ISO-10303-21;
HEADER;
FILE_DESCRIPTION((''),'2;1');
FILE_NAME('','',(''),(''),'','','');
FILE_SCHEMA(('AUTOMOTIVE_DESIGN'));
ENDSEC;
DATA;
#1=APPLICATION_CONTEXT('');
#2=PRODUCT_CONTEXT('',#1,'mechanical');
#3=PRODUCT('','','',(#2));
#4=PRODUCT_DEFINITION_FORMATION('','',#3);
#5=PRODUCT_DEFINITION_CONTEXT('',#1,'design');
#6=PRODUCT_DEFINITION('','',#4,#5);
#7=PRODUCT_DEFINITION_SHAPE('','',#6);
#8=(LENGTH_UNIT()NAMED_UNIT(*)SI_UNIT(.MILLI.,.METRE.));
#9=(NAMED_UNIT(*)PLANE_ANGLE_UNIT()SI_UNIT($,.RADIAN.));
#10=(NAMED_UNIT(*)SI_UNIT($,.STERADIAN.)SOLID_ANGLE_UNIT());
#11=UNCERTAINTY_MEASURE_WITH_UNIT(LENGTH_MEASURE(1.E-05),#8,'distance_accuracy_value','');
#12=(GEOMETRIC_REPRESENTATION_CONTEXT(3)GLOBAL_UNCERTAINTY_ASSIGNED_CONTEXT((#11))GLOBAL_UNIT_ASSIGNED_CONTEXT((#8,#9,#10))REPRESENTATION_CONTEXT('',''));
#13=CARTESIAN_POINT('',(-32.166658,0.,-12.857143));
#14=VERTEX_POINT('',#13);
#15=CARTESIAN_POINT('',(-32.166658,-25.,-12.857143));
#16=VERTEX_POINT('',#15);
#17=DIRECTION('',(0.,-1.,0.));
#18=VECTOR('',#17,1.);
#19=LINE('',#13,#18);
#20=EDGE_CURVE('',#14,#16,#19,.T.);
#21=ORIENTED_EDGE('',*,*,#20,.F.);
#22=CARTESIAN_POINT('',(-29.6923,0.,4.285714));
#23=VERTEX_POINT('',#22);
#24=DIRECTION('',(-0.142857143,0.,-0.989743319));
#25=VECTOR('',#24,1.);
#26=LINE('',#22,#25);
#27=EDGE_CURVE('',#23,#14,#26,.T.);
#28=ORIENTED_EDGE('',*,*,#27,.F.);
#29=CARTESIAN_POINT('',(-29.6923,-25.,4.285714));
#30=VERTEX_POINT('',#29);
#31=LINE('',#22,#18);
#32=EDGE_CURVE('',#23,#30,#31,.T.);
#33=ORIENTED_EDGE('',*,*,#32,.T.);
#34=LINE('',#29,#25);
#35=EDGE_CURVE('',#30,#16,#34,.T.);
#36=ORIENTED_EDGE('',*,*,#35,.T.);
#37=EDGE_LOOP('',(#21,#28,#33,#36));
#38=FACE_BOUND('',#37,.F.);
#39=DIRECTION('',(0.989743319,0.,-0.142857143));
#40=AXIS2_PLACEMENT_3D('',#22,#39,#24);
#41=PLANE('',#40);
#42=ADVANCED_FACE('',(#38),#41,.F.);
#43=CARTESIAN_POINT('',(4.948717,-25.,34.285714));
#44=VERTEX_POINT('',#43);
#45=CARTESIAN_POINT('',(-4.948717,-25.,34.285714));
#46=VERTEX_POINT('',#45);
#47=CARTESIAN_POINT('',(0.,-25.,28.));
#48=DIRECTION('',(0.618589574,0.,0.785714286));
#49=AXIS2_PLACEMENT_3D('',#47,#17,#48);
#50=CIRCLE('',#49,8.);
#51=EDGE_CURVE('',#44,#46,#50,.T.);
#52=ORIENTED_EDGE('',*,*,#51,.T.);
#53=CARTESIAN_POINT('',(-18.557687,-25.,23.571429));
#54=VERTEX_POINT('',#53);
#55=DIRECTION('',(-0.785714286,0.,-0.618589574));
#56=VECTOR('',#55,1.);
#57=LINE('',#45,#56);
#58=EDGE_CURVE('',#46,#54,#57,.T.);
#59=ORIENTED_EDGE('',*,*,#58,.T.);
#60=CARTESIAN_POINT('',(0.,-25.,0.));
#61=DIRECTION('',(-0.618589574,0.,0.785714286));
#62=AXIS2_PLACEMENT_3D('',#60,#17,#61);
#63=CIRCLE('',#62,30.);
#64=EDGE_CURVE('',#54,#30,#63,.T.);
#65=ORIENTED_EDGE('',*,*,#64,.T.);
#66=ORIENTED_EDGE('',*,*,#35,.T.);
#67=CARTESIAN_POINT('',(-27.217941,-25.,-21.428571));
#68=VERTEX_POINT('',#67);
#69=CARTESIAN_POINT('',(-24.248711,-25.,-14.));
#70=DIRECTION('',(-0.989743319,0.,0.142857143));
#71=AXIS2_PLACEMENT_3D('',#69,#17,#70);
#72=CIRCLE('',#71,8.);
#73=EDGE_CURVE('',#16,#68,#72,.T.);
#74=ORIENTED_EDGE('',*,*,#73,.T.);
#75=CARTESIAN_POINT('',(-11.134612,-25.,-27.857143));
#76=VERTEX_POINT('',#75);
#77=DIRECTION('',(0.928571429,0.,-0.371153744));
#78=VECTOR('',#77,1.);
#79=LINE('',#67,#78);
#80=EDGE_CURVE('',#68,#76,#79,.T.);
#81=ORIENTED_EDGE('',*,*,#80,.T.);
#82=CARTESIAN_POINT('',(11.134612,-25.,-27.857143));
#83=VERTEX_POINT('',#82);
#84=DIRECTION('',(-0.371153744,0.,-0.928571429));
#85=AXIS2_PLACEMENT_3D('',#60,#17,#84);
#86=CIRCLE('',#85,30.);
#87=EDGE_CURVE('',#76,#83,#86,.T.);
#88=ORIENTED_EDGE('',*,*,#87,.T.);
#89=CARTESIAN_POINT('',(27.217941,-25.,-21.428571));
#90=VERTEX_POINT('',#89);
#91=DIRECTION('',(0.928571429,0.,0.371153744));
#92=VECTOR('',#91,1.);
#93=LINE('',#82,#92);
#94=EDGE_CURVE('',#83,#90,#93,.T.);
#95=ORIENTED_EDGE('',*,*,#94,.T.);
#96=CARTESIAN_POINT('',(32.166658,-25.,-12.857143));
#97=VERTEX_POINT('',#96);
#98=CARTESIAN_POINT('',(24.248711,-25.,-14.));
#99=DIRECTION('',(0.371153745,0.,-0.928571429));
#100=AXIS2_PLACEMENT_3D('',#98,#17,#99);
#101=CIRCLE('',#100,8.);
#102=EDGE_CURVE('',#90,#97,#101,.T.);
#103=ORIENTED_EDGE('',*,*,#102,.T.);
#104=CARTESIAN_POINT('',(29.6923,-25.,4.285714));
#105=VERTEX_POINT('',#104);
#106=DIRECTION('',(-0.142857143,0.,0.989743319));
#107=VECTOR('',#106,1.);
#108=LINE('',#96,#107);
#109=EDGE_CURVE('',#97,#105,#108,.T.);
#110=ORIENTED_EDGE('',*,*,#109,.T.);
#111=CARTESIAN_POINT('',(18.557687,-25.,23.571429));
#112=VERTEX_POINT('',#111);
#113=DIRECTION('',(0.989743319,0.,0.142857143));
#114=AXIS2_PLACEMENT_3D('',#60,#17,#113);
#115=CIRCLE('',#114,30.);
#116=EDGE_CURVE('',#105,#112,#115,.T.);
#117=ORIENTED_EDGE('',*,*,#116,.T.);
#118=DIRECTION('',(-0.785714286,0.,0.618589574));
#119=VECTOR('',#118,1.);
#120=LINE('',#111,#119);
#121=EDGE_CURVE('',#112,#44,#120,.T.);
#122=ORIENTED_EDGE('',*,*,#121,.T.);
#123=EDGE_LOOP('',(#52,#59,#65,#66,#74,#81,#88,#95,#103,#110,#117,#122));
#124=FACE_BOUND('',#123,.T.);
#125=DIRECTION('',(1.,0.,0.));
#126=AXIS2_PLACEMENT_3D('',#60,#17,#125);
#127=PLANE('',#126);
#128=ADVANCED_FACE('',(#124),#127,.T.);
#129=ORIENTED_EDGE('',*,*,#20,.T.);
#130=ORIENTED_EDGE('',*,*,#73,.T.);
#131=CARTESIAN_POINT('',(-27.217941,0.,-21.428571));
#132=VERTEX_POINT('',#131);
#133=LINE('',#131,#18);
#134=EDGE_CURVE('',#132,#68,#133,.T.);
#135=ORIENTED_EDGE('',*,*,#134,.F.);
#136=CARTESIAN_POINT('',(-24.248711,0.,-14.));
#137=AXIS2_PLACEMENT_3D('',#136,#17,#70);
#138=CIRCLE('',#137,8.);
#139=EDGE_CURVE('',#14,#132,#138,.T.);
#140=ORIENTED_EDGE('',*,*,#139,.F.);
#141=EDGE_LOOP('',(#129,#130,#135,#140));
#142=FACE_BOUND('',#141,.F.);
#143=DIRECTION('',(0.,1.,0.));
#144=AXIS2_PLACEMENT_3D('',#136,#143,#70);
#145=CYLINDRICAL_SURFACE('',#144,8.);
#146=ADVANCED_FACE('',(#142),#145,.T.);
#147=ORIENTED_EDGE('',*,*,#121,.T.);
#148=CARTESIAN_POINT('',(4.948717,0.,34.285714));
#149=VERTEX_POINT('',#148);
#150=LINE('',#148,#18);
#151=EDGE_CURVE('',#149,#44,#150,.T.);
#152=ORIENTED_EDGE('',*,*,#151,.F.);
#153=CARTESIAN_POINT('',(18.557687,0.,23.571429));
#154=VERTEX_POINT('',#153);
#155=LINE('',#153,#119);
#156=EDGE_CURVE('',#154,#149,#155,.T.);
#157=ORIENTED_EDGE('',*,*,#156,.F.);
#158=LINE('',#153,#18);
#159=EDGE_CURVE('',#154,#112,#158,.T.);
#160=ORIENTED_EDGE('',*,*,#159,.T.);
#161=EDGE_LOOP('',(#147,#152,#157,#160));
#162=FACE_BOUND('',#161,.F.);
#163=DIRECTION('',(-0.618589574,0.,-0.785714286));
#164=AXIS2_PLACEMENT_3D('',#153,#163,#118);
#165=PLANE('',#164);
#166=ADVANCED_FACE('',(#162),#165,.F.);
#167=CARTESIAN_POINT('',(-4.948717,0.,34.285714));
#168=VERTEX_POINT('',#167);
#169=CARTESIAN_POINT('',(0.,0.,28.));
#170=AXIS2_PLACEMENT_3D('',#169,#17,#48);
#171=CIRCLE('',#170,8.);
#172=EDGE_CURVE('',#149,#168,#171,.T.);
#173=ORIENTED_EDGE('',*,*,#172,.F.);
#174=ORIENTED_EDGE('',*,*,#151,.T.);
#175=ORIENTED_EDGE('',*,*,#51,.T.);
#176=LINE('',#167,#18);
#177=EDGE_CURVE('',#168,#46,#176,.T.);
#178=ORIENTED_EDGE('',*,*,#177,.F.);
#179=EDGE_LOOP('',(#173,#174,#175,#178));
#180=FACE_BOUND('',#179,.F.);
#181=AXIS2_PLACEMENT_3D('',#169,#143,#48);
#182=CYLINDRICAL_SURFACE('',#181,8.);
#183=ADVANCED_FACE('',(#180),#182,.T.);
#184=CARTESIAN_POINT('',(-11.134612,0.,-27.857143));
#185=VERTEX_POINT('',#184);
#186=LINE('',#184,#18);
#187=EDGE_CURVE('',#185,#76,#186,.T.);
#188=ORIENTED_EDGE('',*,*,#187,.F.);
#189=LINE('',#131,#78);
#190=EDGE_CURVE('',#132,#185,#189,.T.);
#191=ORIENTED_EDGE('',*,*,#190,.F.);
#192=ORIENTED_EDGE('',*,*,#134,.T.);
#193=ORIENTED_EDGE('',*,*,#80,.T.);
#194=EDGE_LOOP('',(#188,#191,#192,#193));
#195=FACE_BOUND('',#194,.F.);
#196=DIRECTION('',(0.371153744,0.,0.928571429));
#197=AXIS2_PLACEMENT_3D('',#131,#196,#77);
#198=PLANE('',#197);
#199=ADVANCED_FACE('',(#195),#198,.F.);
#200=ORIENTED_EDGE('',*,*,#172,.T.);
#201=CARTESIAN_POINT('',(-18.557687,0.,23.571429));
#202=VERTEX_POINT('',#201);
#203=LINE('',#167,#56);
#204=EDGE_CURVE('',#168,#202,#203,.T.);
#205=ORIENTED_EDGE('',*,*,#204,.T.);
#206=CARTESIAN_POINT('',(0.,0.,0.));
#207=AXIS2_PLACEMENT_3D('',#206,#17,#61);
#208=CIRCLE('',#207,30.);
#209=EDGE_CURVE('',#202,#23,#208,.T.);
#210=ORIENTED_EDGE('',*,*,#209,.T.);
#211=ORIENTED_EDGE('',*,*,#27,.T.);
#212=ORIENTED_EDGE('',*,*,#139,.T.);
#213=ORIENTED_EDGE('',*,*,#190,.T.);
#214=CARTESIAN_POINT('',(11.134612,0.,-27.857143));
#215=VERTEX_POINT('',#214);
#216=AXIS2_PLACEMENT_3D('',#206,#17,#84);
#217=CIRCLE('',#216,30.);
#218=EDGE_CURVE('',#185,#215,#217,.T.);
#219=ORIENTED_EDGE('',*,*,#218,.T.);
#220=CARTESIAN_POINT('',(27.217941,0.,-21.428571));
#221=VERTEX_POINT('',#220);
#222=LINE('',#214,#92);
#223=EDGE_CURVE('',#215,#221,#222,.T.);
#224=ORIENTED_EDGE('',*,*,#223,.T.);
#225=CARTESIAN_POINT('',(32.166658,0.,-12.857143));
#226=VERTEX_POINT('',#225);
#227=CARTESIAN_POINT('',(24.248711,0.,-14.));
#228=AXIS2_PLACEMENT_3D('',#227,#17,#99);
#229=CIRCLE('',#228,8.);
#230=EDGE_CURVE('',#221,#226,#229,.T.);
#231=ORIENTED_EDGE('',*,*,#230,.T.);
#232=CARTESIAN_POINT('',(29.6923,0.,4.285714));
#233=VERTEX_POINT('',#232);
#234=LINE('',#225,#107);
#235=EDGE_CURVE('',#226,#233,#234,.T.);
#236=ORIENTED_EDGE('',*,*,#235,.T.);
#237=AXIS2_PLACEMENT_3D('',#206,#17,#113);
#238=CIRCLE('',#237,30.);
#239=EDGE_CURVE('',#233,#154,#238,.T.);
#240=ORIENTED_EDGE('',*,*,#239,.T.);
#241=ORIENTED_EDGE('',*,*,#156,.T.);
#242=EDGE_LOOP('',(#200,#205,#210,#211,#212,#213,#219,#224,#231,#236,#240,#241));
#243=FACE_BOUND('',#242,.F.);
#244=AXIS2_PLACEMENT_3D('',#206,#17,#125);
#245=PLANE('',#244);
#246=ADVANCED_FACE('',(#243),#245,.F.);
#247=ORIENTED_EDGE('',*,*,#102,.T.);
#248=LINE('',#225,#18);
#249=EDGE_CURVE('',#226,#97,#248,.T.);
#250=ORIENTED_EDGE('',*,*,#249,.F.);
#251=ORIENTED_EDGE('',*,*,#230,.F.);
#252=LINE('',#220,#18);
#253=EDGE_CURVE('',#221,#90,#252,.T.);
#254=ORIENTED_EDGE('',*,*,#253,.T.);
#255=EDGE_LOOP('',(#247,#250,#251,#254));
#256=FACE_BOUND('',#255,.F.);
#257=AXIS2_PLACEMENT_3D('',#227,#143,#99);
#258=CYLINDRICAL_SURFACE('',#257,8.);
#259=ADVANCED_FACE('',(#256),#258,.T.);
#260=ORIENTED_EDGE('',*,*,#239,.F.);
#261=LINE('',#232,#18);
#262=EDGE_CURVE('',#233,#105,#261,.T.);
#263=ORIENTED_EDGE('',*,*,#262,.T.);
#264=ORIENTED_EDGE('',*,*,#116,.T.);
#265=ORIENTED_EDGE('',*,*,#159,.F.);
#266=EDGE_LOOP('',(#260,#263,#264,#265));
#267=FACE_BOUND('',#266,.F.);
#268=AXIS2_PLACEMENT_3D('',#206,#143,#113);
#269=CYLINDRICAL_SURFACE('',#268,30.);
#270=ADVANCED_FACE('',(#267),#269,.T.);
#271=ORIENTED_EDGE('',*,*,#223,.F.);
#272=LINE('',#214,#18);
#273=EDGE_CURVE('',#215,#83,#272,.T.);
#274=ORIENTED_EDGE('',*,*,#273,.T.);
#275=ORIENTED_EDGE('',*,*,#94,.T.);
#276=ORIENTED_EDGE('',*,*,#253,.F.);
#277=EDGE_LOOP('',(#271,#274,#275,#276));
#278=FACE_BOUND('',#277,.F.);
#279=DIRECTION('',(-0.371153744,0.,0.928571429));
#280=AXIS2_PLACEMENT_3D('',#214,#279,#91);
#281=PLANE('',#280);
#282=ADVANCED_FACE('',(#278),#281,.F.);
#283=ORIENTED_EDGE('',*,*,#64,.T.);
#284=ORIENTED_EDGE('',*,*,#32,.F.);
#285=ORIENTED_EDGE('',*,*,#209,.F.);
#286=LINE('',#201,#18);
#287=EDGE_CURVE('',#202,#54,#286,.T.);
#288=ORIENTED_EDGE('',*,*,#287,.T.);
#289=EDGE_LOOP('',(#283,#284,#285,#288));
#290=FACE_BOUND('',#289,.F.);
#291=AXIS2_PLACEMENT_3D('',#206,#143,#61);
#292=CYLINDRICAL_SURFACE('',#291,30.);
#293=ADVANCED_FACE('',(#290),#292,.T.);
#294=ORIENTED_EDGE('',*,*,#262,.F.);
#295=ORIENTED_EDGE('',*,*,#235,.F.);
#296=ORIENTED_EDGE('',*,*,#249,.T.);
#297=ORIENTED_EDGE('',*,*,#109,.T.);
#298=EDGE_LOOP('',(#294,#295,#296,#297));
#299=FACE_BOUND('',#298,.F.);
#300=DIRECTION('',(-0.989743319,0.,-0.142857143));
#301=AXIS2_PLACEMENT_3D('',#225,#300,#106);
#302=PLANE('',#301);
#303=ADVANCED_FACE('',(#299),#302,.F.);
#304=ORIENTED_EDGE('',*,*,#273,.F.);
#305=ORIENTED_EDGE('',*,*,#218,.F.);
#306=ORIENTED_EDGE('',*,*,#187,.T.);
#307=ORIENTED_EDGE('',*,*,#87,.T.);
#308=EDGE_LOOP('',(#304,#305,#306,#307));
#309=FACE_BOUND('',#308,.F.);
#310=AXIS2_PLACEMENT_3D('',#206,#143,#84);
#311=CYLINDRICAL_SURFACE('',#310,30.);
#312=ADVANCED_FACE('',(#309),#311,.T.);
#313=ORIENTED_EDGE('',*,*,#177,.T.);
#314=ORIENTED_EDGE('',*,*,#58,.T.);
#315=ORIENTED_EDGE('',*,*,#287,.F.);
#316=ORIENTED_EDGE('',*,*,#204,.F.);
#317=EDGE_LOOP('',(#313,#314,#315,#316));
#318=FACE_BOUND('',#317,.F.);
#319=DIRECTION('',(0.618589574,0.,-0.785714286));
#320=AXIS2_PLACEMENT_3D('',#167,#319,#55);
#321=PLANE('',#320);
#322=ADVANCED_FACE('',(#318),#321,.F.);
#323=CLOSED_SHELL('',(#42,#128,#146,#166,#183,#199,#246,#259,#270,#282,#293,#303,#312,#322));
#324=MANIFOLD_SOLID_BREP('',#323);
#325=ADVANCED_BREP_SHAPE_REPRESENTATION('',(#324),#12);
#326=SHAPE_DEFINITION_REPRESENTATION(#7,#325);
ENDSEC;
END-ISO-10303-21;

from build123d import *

# Parameters (mm, degrees)
F0_R     = 28
F1_DEPTH = 25


with BuildPart() as f1:
    # F0 (on Front) → F1 (new body)
    with BuildSketch(Plane.XZ):
        with BuildLine():
            Line((-27.2179412618, -21.4285714286), (-11.1346123344, -27.8571428571))
            ThreePointArc((-11.1346123344, -27.8571428571), (0, -30), (11.1346123344, -27.8571428571))
            Line((11.1346123344, -27.8571428571), (27.2179412618, -21.4285714286))
            ThreePointArc((27.2179412618, -21.4285714286), (31.1769145362, -18), (32.1666578549, -12.8571428571))
            Line((32.1666578549, -12.8571428571), (29.6922995583, 4.2857142857))
            ThreePointArc((29.6922995583, 4.2857142857), (25.9807621135, 15), (18.557687224, 23.5714285714))
            Line((18.557687224, 23.5714285714), (4.9487165931, 34.2857142857))
            ThreePointArc((4.9487165931, 34.2857142857), (0, 36), (-4.9487165931, 34.2857142857))
            Line((-4.9487165931, 34.2857142857), (-18.557687224, 23.5714285714))
            ThreePointArc((-18.557687224, 23.5714285714), (-25.9807621135, 15), (-29.6922995583, 4.2857142857))
            Line((-29.6922995583, 4.2857142857), (-32.1666578549, -12.8571428571))
            ThreePointArc((-32.1666578549, -12.8571428571), (-31.1769145362, -18), (-27.2179412618, -21.4285714286))
        make_face()
        Circle(F0_R, mode=Mode.SUBTRACT)
        Circle(F0_R)
    extrude(amount=F1_DEPTH)


solid = f1.part
